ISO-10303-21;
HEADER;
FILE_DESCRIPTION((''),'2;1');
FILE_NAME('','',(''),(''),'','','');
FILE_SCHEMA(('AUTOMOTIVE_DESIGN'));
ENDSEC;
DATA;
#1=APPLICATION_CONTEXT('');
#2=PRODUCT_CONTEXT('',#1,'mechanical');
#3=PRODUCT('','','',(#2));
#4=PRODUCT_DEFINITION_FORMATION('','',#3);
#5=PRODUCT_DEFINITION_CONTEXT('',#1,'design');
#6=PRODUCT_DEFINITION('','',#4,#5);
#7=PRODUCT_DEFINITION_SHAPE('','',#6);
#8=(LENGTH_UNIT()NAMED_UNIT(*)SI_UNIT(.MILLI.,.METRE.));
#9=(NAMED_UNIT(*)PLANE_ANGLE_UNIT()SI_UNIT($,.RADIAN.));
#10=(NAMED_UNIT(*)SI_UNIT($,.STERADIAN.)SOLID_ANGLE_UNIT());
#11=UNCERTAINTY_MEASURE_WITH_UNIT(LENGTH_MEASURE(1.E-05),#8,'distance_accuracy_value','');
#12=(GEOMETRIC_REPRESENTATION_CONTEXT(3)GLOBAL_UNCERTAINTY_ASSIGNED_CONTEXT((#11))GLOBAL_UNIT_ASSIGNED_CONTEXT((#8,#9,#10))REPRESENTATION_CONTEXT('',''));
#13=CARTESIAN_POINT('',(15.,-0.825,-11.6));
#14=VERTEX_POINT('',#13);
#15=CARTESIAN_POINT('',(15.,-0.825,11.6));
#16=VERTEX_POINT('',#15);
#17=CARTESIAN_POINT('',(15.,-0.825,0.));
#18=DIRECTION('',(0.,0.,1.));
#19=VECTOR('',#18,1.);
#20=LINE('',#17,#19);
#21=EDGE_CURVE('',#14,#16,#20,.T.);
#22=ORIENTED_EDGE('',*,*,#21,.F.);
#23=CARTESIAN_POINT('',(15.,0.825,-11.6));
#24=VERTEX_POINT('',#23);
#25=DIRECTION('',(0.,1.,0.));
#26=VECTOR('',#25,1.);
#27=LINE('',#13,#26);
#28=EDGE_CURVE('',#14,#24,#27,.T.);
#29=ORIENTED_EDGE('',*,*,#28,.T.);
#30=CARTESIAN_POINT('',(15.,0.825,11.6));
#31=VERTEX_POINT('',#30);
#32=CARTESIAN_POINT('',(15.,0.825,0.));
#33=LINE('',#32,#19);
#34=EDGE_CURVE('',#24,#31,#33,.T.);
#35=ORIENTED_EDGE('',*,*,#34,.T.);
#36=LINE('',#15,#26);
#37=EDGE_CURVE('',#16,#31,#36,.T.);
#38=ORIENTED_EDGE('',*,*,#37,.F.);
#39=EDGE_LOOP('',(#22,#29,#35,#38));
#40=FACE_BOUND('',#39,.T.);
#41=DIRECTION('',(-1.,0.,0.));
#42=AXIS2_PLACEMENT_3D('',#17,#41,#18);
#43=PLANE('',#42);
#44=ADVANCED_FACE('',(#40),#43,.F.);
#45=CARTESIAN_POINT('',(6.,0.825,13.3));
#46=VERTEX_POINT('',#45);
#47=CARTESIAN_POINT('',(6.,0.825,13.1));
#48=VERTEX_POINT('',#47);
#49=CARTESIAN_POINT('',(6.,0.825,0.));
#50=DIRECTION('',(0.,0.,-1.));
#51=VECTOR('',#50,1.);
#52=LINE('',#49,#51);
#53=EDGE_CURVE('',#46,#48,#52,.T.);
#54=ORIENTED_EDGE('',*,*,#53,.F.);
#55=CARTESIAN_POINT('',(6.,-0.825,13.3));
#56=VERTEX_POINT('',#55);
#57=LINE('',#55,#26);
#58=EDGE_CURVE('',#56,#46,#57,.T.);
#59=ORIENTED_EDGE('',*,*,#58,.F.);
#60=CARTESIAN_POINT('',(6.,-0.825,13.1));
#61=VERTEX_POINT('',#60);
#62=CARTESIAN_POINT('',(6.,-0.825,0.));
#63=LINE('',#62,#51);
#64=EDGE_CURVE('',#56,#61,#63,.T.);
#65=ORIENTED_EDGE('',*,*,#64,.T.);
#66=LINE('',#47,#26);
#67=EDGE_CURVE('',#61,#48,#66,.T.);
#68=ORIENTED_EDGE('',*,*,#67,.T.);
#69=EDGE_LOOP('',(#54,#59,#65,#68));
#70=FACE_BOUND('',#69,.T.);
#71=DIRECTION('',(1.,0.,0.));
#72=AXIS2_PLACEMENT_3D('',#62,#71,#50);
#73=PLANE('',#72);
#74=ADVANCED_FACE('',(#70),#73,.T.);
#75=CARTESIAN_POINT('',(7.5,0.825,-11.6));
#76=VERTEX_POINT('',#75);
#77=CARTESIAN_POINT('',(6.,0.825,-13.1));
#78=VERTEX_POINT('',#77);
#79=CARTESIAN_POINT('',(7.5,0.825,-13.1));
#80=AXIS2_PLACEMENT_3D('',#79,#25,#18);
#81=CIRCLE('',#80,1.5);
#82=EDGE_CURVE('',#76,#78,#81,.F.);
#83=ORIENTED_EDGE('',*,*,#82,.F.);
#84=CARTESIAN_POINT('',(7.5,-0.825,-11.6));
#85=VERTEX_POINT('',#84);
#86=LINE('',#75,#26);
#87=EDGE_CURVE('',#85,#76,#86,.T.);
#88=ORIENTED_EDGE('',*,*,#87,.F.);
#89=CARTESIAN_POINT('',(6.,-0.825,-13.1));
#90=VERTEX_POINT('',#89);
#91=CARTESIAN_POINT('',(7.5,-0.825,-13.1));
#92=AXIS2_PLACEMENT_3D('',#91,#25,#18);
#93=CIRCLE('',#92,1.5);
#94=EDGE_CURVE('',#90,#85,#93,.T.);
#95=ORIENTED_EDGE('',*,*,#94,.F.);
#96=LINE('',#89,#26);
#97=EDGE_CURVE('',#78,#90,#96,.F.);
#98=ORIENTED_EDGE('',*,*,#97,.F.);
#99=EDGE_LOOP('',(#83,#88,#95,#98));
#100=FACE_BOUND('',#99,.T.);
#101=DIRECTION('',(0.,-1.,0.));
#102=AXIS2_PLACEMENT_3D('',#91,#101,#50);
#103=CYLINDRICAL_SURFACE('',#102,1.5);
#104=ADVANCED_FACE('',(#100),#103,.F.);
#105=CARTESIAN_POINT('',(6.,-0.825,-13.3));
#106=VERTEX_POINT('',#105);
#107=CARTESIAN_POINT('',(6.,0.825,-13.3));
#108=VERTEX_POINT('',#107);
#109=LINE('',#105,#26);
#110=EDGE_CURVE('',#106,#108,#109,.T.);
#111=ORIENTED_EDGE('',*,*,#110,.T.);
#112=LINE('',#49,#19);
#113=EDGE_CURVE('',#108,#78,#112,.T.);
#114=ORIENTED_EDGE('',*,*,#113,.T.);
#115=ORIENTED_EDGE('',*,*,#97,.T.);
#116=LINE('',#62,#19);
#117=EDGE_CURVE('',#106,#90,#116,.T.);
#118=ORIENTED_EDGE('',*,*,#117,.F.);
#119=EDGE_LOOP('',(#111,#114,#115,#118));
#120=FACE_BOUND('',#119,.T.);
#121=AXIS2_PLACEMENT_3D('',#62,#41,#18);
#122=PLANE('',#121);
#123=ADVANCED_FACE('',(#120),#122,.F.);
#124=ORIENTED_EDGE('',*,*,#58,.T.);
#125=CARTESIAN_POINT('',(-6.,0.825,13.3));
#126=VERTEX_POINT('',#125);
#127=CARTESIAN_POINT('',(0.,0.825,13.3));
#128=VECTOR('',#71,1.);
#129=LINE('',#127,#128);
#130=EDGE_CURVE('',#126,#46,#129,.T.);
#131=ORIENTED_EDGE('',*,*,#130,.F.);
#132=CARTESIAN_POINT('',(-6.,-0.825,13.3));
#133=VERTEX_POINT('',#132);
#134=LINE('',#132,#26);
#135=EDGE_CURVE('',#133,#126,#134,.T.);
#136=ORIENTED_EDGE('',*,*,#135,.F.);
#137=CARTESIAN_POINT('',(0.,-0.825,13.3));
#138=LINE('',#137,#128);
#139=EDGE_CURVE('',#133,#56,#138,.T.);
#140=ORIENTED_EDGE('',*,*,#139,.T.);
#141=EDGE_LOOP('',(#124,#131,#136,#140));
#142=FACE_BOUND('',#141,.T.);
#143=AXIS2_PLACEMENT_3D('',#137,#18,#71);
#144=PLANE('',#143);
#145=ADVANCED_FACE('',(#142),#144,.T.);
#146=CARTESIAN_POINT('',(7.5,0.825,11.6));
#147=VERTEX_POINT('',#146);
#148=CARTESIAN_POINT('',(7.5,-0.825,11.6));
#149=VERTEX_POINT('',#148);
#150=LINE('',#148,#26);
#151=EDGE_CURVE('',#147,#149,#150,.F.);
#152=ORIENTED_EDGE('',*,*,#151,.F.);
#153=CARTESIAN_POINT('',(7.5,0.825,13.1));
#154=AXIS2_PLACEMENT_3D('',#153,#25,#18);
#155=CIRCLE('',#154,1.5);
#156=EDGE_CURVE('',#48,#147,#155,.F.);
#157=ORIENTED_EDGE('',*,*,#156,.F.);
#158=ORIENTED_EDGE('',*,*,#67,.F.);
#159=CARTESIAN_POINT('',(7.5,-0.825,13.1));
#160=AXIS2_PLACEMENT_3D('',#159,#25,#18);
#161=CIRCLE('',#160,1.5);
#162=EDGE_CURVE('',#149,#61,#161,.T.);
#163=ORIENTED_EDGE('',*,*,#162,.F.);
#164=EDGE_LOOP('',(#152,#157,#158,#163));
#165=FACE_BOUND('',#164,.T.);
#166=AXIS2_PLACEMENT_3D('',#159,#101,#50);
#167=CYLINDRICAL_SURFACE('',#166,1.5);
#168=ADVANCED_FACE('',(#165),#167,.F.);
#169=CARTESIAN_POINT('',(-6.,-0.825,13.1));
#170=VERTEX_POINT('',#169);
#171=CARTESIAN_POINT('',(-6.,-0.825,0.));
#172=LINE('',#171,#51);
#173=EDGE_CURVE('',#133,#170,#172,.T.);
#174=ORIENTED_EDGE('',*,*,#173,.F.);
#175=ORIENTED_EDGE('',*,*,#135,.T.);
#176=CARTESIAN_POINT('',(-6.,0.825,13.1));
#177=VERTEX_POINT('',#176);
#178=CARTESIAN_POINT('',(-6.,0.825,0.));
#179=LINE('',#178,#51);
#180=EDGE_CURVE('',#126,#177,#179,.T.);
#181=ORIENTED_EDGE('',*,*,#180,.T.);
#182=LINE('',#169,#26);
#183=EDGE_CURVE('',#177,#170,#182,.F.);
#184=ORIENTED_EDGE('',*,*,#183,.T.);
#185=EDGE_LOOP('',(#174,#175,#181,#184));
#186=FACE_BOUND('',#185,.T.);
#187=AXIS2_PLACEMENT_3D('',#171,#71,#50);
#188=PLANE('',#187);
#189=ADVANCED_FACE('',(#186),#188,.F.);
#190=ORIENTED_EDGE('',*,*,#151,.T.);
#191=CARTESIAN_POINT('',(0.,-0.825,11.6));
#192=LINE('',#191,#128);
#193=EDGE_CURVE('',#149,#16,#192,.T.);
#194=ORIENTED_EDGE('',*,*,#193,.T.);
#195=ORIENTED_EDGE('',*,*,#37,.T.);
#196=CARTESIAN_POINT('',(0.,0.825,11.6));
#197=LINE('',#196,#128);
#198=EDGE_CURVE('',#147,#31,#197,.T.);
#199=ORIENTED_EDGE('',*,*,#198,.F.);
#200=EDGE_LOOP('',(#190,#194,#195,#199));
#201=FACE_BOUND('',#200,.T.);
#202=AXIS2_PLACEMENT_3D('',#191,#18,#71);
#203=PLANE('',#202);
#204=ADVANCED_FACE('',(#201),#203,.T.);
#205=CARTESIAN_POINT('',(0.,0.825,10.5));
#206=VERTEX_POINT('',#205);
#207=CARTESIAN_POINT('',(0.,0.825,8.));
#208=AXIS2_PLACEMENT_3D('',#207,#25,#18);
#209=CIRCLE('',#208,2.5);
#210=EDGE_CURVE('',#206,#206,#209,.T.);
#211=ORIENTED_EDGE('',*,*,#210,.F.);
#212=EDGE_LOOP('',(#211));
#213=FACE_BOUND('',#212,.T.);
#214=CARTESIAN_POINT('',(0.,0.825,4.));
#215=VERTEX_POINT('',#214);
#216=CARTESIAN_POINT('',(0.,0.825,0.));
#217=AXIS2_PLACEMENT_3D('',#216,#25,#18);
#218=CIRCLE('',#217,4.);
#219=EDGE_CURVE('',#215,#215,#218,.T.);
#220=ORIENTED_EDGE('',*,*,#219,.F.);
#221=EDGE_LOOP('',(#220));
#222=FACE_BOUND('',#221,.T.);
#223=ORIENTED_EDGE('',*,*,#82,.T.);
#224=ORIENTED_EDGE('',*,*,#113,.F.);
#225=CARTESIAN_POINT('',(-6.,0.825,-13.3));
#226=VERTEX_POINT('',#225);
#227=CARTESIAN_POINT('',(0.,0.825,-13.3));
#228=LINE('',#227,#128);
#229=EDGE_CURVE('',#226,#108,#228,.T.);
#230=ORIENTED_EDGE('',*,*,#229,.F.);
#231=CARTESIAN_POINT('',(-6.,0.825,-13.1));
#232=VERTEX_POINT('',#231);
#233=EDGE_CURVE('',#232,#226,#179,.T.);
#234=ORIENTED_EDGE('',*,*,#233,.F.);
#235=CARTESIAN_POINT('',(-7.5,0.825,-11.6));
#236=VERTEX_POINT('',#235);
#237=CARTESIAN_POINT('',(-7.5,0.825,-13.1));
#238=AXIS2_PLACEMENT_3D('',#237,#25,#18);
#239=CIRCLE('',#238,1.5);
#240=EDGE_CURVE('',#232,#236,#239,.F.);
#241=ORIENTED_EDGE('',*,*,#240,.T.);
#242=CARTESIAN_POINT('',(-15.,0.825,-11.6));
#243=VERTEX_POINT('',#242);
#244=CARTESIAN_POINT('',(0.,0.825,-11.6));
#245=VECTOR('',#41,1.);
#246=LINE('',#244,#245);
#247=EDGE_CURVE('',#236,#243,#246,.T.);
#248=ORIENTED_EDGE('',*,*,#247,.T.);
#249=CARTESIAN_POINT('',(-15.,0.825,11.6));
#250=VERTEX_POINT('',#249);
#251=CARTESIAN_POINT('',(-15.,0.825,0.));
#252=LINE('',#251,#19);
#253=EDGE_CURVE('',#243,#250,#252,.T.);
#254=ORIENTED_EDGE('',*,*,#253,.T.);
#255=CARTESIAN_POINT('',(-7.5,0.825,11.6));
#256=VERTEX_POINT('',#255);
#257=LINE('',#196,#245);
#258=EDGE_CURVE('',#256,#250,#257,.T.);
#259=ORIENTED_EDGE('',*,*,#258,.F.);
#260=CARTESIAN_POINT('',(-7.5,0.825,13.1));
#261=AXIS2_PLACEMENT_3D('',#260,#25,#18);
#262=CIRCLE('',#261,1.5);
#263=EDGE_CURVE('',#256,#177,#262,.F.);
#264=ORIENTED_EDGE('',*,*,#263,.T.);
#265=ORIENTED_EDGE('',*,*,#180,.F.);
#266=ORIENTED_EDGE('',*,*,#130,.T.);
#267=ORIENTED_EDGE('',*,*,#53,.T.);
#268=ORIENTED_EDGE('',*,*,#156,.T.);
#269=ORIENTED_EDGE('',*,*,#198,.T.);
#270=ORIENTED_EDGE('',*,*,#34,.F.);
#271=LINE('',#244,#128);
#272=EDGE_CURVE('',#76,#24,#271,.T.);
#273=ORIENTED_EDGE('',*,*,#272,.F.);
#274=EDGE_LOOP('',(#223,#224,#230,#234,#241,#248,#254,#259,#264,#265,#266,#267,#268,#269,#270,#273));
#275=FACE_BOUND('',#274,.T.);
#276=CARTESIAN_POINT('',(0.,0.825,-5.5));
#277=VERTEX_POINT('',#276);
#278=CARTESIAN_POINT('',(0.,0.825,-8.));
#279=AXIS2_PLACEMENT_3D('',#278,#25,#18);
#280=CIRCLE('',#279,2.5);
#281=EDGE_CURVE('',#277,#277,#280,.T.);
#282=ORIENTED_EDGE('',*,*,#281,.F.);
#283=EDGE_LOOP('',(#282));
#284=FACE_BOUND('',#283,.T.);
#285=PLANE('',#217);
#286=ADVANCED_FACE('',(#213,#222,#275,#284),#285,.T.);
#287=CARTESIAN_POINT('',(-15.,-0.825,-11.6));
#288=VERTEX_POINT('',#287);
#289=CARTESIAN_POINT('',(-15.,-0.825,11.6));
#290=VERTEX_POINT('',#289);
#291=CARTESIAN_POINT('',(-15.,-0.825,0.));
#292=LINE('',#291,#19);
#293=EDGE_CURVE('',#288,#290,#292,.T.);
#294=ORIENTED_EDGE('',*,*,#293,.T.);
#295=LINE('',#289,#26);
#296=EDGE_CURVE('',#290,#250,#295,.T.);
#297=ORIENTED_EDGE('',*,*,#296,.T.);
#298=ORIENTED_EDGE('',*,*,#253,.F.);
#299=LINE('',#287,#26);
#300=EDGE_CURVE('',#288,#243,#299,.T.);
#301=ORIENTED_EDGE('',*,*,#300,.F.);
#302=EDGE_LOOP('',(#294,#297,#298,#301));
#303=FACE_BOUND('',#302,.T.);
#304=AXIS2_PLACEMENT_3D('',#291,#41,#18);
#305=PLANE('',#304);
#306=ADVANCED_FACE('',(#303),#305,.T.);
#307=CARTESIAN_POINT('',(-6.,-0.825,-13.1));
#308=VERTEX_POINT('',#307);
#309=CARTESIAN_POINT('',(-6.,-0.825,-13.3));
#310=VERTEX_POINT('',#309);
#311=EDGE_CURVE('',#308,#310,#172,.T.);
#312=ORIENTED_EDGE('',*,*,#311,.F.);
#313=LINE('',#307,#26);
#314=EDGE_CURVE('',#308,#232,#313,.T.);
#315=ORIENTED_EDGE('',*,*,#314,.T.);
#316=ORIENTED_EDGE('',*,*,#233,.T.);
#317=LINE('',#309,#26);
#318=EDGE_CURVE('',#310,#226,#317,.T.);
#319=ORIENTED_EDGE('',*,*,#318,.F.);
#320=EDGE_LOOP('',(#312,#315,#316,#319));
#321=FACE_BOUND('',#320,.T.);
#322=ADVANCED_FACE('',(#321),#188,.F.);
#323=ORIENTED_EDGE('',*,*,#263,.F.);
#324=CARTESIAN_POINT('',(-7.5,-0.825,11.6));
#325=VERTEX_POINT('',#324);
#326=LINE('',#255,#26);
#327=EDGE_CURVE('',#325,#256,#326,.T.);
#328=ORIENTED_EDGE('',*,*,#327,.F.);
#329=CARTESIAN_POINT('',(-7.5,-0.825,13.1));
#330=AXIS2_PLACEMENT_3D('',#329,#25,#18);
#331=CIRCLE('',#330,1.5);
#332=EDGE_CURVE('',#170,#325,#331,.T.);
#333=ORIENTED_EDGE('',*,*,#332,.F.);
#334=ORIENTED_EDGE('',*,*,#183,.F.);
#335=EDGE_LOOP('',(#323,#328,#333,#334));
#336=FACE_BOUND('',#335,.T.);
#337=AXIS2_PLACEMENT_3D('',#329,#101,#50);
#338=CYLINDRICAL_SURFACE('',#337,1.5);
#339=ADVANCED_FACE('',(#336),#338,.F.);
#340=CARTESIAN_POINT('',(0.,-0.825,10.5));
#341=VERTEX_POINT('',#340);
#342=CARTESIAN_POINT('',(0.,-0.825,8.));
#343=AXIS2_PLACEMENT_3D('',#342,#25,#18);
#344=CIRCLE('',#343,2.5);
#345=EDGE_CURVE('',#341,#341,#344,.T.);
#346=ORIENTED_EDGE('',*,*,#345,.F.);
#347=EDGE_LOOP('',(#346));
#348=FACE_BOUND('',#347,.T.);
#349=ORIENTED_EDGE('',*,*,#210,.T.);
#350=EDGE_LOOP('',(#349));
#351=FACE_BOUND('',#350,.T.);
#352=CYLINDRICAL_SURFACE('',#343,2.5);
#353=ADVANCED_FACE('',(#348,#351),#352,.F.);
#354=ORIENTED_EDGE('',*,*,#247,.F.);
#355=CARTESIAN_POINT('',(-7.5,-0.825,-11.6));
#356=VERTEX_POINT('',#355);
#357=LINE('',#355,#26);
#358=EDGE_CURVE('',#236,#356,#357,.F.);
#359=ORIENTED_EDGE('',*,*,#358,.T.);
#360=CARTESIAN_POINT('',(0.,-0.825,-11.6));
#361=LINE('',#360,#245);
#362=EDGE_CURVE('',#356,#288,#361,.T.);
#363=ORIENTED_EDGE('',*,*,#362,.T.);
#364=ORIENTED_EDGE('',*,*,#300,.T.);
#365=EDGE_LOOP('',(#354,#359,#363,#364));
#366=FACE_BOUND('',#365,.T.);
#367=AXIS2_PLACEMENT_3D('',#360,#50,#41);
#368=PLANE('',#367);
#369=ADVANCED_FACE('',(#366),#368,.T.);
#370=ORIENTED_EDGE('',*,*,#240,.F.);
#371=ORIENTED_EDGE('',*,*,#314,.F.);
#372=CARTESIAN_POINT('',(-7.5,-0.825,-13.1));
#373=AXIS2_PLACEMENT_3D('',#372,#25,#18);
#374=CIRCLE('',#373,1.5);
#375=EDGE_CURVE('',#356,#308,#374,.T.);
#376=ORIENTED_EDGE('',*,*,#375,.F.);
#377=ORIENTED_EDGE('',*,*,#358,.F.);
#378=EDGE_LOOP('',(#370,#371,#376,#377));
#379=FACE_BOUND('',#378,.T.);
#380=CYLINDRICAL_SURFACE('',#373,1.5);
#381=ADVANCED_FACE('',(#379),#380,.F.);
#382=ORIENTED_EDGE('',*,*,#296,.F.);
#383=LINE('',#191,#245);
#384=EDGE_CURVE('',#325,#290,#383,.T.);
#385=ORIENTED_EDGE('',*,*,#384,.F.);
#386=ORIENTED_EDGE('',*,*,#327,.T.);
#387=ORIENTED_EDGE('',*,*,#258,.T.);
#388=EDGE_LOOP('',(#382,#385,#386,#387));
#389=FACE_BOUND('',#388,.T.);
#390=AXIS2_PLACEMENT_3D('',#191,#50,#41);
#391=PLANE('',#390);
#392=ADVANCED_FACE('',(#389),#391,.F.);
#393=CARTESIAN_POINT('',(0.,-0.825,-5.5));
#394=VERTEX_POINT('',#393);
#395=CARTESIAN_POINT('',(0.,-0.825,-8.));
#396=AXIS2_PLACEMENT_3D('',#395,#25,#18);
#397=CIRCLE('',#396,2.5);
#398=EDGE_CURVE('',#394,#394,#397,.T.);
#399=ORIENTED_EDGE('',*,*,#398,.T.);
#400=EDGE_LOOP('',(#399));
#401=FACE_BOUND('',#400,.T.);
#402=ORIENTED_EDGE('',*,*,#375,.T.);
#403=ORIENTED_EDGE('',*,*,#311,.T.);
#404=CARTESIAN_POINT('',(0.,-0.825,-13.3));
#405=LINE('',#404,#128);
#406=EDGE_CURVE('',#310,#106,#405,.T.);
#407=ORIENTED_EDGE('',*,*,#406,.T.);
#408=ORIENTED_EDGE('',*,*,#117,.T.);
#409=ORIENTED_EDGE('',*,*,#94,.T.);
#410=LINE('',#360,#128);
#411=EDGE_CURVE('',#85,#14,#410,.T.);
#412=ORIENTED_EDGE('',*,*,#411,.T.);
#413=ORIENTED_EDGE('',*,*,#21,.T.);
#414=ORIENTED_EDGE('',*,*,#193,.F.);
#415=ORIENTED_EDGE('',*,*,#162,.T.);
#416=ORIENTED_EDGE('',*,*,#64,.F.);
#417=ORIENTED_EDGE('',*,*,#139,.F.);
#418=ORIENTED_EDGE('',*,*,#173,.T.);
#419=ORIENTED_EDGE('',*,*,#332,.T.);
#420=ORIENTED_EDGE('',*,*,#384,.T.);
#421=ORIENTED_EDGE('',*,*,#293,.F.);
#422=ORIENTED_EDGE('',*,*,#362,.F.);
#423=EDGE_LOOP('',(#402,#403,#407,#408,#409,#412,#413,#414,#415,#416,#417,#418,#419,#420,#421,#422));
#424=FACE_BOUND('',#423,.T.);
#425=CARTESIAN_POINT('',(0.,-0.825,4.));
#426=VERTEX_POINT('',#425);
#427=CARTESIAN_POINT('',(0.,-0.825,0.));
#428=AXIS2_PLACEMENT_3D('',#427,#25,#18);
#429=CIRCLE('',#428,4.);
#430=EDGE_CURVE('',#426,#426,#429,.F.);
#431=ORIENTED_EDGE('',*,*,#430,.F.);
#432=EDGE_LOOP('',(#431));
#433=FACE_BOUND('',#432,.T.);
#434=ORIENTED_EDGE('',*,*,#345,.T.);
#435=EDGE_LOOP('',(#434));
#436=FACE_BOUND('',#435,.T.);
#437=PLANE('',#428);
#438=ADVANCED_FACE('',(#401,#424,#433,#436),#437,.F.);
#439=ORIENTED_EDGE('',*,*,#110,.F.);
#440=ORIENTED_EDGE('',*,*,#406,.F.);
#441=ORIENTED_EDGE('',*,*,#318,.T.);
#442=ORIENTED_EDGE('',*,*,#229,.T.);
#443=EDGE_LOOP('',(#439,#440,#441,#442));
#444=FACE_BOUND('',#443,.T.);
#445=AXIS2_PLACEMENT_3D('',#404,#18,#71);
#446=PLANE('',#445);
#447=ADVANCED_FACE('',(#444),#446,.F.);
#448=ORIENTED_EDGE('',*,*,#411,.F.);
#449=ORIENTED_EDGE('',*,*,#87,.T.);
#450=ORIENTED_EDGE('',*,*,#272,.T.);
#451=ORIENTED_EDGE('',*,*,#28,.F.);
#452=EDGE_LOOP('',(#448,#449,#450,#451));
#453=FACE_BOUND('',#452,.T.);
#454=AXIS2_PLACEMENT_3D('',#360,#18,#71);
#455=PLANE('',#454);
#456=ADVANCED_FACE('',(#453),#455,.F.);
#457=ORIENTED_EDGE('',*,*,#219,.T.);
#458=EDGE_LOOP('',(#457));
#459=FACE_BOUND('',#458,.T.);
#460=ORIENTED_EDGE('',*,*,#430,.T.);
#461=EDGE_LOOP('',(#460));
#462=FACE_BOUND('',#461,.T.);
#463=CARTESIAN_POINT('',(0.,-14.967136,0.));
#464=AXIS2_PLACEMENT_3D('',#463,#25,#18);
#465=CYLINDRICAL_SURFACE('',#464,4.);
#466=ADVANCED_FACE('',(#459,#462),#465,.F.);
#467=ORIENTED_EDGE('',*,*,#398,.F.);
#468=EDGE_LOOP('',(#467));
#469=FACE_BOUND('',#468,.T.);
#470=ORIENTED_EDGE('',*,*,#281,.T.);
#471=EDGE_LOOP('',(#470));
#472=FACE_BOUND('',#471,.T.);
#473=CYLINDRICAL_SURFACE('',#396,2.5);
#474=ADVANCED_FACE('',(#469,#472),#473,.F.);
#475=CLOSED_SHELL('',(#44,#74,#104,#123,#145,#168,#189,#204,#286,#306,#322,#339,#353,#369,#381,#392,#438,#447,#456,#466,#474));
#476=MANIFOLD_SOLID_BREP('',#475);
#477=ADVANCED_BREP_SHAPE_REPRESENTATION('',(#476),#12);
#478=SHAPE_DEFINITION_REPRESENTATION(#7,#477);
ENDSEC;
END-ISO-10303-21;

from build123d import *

# Parameters (mm, degrees)
SKIZZE1_R                       = 1.25
SKIZZE1_R_2                     = 5
AUFSATZ_LINEAR_AUSTRAGEN1_DEPTH = 0.825
VERRUNDUNG1_R                   = 1.5
SKIZZE3_R                       = 5
SKIZZE3_R_2                     = 4
AUFSATZ_LINEAR_AUSTRAGEN2_DEPTH = 1.65
SKIZZE4_R                       = 2.5
SCHNITT_LINEAR_AUSTRAGEN1_DEPTH = 2.65


with BuildPart() as part:
    # Skizze1 → Aufsatz-Linear austragen1 (new body, symmetric)
    with BuildSketch(Plane(origin=(0, 0, 0), x_dir=(1, 0, 0), z_dir=(0, 1, 0))):
        Polygon((-6, 11.6), (-6, 13.3), (6, 13.3), (6, 11.6), (15, 11.6), (15, -11.6), (6, -11.6), (6, -13.3), (-6, -13.3), (-6, -11.6), (-15, -11.6), (-15, 11.6), align=None)
        with Locations((0, -8)):
            Circle(SKIZZE1_R, mode=Mode.SUBTRACT)
        with Locations((0, 8)):
            Circle(SKIZZE1_R, mode=Mode.SUBTRACT)
        Circle(SKIZZE1_R_2, mode=Mode.SUBTRACT)
    extrude(amount=AUFSATZ_LINEAR_AUSTRAGEN1_DEPTH, both=True)

    # Verrundung1
    verrundung1_edges = [part.edges().sort_by_distance(p)[0] for p in [
        (-6, 0, 11.6),
        (-6, 0, -11.6),
        (6, 0, -11.6),
        (6, 0, 11.6),
    ]]
    fillet(verrundung1_edges, radius=VERRUNDUNG1_R)

    # Skizze3 → Aufsatz-Linear austragen2 (add)
    with BuildSketch(Plane(origin=(0, 0.825, 0), x_dir=(1, 0, 0), z_dir=(0, 1, 0))):
        Circle(SKIZZE3_R)
        Circle(SKIZZE3_R_2, mode=Mode.SUBTRACT)
    extrude(amount=-AUFSATZ_LINEAR_AUSTRAGEN2_DEPTH)

    # Skizze4 → Schnitt-Linear austragen1 (cut, through all)
    with BuildSketch(Plane(origin=(0, 0.825, 0), x_dir=(1, 0, 0), z_dir=(0, 1, 0))):
        with Locations((0, 8)):
            Circle(SKIZZE4_R)
        with Locations((0, -8)):
            Circle(SKIZZE4_R)
    extrude(amount=-SCHNITT_LINEAR_AUSTRAGEN1_DEPTH, mode=Mode.SUBTRACT)


solid = part.part
